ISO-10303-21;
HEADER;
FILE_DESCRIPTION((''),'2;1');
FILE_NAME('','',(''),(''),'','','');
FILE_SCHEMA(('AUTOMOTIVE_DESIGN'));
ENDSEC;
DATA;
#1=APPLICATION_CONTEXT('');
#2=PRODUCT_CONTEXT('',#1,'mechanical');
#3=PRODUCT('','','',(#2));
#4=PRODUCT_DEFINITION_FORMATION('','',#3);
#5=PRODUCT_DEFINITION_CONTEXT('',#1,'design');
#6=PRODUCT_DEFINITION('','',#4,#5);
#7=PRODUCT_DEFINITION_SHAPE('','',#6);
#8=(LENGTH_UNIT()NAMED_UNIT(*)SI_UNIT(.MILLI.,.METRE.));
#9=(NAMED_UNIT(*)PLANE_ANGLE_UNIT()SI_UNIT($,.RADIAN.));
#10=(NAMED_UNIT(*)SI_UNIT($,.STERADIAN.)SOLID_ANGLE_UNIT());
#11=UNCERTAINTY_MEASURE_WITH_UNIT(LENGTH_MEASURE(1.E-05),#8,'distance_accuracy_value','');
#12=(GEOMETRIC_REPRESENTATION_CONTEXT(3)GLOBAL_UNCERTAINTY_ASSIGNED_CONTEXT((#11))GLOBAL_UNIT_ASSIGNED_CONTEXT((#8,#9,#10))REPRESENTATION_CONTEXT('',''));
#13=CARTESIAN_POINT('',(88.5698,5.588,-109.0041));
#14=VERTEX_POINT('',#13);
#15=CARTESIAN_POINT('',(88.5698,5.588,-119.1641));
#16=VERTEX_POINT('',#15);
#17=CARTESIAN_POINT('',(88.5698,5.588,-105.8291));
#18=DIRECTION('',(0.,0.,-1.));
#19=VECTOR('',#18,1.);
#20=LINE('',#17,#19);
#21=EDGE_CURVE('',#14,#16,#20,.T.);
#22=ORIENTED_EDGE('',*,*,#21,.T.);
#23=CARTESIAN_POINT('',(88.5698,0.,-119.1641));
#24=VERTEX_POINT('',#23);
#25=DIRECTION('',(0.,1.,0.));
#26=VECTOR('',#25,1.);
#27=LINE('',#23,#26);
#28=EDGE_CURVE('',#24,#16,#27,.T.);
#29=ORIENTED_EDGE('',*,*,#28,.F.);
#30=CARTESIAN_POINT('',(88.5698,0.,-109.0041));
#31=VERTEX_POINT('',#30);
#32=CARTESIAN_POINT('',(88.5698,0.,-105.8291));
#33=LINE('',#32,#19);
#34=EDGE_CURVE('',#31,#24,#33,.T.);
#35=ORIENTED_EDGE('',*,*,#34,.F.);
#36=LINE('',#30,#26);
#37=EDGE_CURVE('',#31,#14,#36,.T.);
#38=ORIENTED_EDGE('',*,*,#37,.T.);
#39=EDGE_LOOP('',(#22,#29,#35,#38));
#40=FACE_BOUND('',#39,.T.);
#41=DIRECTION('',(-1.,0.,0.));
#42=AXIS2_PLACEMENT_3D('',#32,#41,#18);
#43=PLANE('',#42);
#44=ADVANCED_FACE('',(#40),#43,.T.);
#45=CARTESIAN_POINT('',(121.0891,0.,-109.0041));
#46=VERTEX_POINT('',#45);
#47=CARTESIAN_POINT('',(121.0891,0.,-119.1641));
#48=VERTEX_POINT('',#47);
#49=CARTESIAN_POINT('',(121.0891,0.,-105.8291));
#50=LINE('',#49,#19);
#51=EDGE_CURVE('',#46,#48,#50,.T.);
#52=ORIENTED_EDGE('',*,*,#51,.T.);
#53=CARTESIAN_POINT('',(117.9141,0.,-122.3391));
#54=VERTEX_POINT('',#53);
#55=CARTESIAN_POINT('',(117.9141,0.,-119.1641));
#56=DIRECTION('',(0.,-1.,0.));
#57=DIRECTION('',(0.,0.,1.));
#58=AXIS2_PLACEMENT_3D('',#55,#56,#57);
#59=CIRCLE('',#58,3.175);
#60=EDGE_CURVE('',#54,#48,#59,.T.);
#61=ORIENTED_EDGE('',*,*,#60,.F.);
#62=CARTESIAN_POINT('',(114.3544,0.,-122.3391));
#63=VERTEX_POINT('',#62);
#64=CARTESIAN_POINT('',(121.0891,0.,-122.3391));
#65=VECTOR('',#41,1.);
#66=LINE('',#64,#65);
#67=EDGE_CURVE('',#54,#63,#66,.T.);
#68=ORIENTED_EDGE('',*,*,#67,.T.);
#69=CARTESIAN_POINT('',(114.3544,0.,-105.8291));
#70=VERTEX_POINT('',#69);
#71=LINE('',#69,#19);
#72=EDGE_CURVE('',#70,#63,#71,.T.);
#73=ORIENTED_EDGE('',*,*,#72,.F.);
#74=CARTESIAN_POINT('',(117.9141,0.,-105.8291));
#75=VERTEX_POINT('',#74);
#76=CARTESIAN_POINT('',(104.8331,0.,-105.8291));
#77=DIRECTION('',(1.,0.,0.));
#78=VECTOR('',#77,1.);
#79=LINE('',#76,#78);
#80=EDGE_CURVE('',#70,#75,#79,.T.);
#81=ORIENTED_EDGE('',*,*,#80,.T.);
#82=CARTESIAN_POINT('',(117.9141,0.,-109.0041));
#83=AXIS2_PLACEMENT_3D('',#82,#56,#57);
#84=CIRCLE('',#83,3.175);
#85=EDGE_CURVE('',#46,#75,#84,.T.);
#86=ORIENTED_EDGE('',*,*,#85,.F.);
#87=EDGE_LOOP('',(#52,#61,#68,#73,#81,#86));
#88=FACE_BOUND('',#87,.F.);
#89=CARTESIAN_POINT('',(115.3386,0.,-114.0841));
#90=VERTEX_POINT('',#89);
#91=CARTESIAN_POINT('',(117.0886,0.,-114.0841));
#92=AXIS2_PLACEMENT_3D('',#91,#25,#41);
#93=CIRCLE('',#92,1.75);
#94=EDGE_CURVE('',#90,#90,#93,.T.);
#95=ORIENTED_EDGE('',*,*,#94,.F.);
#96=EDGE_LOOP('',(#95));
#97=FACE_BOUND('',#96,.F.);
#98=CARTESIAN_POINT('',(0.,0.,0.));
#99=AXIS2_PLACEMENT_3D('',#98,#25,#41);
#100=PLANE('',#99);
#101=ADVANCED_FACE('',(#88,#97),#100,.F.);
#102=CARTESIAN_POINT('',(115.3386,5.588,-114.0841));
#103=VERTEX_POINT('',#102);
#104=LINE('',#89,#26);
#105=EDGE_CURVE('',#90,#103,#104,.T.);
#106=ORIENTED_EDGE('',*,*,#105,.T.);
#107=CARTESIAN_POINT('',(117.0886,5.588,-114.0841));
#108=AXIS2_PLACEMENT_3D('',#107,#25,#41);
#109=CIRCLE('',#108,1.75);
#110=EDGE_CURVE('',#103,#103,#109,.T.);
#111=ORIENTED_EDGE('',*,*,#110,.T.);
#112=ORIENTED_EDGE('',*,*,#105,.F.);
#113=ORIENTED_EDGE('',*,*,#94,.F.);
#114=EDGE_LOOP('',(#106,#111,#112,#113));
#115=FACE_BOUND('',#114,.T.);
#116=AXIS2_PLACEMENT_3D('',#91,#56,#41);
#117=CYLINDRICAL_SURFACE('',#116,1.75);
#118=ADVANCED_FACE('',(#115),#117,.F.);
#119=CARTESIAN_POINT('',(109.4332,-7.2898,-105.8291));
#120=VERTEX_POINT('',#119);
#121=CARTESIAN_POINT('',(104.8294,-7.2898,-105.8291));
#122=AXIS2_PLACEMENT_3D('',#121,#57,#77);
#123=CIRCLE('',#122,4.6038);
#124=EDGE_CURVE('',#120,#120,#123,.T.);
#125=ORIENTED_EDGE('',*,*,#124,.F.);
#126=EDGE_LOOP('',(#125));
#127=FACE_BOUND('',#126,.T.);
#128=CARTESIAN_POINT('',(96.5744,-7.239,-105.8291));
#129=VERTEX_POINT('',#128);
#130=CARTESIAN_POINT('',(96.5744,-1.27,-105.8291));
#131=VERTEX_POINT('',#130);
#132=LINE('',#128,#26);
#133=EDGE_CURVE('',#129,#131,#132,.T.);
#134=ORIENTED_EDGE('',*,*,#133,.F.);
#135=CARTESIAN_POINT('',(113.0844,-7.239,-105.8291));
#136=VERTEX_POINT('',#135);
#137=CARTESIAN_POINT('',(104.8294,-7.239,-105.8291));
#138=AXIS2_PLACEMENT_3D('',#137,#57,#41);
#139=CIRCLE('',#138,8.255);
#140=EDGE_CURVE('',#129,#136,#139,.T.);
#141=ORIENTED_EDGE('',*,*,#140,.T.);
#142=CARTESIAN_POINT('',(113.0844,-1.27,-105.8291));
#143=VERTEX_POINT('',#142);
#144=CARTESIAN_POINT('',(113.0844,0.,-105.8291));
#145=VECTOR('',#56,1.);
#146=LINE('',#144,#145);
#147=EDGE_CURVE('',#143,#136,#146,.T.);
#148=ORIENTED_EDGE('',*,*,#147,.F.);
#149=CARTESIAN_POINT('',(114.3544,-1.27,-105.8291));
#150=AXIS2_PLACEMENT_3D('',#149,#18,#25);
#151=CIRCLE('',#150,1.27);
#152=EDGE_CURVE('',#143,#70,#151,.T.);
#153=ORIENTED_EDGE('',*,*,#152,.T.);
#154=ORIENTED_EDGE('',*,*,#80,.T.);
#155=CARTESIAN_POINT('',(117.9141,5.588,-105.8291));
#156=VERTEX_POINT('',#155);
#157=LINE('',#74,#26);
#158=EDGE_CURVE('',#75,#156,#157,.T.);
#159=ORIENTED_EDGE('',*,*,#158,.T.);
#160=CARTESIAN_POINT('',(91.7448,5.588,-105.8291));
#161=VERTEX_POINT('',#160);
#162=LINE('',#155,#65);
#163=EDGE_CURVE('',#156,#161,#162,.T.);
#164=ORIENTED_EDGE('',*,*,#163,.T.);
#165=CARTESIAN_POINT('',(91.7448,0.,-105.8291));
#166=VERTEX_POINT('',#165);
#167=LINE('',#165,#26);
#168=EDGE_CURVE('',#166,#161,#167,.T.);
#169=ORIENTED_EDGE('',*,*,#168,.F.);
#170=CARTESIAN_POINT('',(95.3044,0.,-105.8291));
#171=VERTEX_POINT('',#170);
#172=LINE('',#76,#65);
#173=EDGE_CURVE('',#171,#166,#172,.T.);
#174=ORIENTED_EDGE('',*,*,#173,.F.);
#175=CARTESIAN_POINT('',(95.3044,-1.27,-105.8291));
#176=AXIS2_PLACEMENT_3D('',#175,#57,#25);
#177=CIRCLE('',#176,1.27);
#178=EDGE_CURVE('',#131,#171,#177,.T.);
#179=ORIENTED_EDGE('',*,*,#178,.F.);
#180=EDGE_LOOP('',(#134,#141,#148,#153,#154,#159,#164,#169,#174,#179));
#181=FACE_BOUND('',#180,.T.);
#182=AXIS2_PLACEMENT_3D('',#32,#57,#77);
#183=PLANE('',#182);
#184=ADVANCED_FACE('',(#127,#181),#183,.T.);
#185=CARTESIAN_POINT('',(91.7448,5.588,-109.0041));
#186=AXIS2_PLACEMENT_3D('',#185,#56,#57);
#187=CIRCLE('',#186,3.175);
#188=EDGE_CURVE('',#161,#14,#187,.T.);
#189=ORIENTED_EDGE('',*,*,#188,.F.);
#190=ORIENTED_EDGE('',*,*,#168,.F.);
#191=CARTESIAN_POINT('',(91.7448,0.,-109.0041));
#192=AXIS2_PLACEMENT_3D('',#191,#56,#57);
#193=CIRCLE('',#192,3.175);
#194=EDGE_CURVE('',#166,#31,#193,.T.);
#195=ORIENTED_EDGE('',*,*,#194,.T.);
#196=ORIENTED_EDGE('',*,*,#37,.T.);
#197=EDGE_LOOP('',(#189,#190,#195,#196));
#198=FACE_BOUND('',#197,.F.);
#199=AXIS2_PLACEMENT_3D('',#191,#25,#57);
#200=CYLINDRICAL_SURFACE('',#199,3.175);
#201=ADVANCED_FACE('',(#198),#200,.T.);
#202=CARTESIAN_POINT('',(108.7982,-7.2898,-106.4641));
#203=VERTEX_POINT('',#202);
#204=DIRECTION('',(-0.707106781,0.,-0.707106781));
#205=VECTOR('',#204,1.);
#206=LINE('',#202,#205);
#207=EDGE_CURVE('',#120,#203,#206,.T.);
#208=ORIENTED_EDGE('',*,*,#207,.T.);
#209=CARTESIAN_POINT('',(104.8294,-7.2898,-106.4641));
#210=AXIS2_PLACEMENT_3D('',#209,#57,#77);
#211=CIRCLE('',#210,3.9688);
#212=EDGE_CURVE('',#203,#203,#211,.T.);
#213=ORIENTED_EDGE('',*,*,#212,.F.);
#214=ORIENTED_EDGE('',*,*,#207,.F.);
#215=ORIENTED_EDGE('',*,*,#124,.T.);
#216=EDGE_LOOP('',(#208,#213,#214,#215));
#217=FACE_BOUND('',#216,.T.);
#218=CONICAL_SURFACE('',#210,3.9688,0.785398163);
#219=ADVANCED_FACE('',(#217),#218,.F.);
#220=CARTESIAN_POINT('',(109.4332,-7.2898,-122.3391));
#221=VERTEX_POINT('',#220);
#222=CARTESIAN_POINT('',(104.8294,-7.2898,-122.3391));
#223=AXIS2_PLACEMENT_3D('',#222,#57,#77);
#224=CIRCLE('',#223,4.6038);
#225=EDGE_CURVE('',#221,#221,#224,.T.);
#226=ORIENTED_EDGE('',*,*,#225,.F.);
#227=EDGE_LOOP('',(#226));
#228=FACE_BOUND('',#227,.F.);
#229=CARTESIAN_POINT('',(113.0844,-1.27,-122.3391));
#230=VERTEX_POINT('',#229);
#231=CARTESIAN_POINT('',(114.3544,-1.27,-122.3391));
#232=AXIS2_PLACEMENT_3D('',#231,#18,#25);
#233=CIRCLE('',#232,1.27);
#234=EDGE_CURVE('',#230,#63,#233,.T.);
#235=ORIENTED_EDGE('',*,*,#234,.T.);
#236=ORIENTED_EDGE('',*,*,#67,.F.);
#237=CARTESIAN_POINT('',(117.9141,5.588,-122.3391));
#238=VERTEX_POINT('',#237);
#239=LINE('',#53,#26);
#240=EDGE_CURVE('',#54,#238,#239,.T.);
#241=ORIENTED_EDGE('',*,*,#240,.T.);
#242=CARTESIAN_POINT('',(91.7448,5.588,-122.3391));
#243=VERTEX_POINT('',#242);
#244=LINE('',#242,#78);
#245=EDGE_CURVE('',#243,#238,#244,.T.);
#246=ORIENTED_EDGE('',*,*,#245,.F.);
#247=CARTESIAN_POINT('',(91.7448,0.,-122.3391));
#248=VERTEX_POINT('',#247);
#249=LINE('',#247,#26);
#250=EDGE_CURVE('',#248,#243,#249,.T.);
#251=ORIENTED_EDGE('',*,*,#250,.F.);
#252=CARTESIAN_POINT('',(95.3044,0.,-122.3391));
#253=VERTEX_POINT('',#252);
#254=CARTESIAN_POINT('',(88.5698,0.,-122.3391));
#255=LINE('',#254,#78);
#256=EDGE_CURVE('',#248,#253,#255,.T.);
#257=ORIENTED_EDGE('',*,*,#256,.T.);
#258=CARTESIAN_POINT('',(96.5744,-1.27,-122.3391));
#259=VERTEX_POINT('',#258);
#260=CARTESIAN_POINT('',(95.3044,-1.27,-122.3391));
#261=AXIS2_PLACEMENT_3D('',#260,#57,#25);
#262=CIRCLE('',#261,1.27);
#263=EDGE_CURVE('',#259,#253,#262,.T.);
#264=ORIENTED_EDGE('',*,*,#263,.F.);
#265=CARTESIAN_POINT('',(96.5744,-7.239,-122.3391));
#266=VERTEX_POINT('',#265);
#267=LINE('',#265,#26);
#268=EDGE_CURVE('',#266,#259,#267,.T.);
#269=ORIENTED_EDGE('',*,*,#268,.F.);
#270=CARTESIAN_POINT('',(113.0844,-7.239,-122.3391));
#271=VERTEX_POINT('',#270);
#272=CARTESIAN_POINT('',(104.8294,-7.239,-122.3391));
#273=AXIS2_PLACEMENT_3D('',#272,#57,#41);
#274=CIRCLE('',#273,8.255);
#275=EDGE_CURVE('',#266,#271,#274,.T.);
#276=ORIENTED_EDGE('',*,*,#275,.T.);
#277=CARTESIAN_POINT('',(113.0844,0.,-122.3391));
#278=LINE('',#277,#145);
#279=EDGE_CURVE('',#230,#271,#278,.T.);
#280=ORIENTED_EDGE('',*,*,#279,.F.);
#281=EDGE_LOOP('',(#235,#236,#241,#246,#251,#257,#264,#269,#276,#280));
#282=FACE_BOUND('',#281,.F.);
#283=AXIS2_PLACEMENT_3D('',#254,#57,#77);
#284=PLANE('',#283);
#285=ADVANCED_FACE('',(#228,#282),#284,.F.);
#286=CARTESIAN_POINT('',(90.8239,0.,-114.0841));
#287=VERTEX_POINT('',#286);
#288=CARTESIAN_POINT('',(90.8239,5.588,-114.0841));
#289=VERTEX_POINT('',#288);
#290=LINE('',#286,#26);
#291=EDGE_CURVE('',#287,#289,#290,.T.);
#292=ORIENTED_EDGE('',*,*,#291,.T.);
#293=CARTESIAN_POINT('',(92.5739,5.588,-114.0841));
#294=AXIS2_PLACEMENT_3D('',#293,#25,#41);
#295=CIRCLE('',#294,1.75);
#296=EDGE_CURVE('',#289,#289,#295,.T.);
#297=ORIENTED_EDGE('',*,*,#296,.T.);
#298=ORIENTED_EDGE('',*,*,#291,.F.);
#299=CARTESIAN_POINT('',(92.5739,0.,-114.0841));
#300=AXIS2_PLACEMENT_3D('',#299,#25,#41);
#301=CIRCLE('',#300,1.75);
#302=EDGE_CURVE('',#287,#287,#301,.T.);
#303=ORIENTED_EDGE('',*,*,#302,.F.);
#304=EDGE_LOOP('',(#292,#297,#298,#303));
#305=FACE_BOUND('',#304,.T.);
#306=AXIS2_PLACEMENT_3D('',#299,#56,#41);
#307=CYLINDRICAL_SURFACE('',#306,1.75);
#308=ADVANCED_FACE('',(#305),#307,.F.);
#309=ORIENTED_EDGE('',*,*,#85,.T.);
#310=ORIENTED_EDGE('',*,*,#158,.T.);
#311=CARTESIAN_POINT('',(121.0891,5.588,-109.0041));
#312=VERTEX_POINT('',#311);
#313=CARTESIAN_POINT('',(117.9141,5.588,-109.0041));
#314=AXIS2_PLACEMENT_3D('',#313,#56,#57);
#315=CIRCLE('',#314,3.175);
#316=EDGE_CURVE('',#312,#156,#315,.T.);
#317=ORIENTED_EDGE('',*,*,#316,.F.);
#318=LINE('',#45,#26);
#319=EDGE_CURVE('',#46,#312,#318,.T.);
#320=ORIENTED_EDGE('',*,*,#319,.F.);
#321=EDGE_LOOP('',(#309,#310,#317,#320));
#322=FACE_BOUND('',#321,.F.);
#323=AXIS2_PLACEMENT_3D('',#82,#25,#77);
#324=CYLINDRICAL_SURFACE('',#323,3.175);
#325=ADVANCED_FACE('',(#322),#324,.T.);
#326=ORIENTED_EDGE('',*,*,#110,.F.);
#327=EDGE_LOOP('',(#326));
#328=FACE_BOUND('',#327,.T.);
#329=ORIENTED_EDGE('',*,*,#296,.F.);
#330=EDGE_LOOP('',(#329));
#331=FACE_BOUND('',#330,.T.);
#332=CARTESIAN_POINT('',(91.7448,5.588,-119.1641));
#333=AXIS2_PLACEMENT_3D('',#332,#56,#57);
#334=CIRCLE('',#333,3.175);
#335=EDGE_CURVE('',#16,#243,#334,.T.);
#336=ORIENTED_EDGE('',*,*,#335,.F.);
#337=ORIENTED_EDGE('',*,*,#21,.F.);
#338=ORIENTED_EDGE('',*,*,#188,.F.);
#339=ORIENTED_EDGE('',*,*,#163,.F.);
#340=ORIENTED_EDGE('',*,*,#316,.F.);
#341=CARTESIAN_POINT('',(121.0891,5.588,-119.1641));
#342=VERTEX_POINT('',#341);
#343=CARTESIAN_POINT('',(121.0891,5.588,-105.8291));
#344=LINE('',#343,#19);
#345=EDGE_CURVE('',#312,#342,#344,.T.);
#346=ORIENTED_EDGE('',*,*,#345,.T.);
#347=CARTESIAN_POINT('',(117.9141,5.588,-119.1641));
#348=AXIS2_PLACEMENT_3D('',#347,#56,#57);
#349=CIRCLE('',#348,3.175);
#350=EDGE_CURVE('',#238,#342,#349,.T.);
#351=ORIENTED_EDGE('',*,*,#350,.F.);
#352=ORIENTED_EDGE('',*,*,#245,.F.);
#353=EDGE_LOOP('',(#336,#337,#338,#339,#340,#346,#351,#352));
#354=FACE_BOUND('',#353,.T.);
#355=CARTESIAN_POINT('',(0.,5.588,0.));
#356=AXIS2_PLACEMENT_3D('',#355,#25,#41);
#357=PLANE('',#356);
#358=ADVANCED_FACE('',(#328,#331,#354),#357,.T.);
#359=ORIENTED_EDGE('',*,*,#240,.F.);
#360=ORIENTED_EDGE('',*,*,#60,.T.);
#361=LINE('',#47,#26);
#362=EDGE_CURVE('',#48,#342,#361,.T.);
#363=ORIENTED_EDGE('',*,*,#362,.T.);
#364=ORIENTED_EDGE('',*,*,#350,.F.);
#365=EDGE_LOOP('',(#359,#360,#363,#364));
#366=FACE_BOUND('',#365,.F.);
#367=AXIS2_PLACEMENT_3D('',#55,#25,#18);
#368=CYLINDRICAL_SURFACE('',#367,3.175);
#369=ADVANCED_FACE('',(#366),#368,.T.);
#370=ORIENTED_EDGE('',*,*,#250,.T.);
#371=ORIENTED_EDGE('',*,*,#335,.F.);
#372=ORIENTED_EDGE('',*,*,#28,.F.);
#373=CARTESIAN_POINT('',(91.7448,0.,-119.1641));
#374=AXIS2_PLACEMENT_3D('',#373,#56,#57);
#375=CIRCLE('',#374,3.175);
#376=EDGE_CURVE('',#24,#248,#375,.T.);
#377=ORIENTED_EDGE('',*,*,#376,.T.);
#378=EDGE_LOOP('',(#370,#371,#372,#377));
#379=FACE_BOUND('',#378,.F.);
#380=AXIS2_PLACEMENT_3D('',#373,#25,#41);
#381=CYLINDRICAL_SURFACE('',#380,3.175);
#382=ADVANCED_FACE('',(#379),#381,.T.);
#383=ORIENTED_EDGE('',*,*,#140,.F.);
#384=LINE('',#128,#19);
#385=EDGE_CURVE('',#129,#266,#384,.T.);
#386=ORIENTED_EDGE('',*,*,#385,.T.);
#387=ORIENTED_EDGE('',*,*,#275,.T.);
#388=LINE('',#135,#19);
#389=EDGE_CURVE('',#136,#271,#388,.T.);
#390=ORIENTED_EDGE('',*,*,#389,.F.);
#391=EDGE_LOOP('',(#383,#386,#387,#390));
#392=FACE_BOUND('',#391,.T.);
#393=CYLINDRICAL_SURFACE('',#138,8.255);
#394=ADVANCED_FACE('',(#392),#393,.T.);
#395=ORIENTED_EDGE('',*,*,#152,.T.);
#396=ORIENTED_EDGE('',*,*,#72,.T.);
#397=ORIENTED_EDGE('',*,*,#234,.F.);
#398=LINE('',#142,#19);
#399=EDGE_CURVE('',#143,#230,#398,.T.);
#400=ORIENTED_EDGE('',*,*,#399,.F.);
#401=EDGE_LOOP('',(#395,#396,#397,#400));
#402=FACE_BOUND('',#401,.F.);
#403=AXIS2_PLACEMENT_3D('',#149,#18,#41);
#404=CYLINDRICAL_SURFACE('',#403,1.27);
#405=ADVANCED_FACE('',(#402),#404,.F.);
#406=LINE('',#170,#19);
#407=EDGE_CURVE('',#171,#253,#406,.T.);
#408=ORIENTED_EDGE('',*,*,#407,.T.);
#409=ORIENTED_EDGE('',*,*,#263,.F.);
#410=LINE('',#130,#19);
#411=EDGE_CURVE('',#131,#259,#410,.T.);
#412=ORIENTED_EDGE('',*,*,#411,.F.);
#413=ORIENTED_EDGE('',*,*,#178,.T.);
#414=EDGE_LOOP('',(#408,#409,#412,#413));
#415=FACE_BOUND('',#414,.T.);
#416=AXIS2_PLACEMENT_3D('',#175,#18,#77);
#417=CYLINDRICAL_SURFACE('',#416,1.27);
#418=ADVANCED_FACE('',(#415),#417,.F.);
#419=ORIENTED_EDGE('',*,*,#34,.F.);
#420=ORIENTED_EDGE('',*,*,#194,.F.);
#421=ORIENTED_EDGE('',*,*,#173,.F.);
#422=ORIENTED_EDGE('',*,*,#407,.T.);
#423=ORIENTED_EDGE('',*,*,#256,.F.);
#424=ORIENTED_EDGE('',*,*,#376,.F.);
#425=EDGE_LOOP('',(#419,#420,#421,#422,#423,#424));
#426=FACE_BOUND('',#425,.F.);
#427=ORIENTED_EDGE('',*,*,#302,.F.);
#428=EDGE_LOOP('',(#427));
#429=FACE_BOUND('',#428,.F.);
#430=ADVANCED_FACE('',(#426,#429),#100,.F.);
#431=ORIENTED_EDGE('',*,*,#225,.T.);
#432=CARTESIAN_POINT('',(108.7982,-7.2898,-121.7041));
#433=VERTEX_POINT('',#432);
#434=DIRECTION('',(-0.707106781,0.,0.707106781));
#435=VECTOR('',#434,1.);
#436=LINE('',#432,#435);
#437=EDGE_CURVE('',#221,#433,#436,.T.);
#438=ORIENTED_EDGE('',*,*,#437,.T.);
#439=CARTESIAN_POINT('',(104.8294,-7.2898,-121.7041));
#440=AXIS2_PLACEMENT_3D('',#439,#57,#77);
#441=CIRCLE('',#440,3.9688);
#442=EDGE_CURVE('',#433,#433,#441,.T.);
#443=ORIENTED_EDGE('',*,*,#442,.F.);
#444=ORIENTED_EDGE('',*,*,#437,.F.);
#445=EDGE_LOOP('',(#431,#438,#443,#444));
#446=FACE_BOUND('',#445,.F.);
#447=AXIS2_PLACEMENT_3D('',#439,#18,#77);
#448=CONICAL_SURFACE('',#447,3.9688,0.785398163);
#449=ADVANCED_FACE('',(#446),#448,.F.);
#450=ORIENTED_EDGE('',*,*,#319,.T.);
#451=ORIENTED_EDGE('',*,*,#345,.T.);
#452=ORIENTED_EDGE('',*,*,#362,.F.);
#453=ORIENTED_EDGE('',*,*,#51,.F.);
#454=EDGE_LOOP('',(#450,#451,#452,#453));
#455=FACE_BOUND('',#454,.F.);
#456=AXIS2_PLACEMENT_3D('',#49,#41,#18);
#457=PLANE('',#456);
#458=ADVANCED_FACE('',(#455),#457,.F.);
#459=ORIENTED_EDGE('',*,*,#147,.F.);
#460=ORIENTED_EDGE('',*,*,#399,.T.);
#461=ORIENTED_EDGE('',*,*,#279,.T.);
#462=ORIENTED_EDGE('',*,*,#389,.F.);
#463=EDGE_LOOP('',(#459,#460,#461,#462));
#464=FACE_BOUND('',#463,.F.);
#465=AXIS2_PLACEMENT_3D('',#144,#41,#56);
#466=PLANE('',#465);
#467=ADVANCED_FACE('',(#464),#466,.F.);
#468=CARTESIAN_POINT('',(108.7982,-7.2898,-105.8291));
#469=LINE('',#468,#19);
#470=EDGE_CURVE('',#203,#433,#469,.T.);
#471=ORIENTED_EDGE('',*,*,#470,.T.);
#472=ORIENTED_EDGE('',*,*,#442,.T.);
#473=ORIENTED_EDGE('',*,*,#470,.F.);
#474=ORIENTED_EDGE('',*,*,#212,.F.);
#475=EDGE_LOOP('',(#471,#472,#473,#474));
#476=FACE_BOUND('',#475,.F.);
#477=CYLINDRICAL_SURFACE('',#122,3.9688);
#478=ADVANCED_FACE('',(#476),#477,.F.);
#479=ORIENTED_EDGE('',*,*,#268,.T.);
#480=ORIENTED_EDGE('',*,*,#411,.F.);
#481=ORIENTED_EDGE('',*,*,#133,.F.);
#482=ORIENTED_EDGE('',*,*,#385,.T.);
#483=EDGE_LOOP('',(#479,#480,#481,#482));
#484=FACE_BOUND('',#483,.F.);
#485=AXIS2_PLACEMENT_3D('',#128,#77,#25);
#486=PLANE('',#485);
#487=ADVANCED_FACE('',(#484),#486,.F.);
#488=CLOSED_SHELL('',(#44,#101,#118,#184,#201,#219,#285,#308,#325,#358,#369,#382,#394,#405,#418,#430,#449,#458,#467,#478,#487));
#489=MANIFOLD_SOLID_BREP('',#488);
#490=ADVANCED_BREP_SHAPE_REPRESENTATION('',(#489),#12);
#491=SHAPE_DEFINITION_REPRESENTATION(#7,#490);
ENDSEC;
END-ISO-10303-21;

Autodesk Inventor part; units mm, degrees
ref_plane "YZ Plane" through (0, 0, 0) normal (1, 0, 0) x (0, 1, 0)
ref_plane "XZ Plane" through (0, 0, 0) normal (0, 1, 0) x (-1, 0, 0)
ref_plane "XY Plane" through (0, 0, 0) normal (0, 0, 1) x (1, 0, 0)
sketch "Sketch1" plane through (0, 0, 0) normal (0, 1, 0) x (-1, 0, 0)
  circle A0 centre (-92.5739, -114.0841) radius 1.75
  line L0 (-104.8331, -105.8291) -> (-88.5698, -105.8291)
  line L1 (-88.5698, -105.8291) -> (-88.5698, -122.3391)
  line L2 (-88.5698, -122.3391) -> (-104.8331, -122.3391)
  line L3 (-104.8331, -105.8291) -> (-121.0891, -105.8291)
  line L4 (-121.0891, -105.8291) -> (-121.0891, -122.3391)
  line L5 (-121.0891, -122.3391) -> (-104.8331, -122.3391)
  circle A1 centre (-117.0886, -114.0841) radius 1.75
  point P0 (0, 0)
  point P1 (0, 0)
extrude "Extrusion1" add sketch "Sketch1" along normal blind 5.588
sketch "Sketch2" plane through (88.5698, 0, -105.8291) normal (0, 0, 1) x (1, 0, 0)
  line L0 (0, 5.588) -> (32.5193, 5.588) projected
  line L1 (0, 5.588) -> (32.5193, 5.588)
  arc A0 (8.0046, -7.239) -> (24.5146, -7.239) centre (16.2596, -7.239) ccw
  line L2 (8.0046, -7.239) -> (8.0046, 0)
  line L3 (0, 0) -> (32.5193, 0) projected
  line L4 (8.0046, 0) -> (24.5146, 0)
  line L5 (24.5146, 0) -> (24.5146, -7.239)
  circle A1 centre (16.2596, -7.2898) radius 3.9688
  point P0 (-88.5698, 0)
  dimension "d14" = 7.9375
fillet "Fillet2" radius 3.175 4 edges at (88.5698, 2.794, -122.3391) (88.5698, 2.794, -105.8291) (121.0891, 2.794, -122.3391) (121.0891, 2.794, -105.8291)
extrude "Extrusion3" add sketch "Sketch2" against normal blind 16.51
fillet "Fillet3" radius 1.27 2 edges at (96.5744, 0, -114.0841) (113.0844, 0, -114.0841)
chamfer "Chamfer2" distance 0.635 angle 45 2 edges at (100.8607, -7.2898, -105.8291) (100.8607, -7.2898, -122.3391)
properties part number "shaftMount"
